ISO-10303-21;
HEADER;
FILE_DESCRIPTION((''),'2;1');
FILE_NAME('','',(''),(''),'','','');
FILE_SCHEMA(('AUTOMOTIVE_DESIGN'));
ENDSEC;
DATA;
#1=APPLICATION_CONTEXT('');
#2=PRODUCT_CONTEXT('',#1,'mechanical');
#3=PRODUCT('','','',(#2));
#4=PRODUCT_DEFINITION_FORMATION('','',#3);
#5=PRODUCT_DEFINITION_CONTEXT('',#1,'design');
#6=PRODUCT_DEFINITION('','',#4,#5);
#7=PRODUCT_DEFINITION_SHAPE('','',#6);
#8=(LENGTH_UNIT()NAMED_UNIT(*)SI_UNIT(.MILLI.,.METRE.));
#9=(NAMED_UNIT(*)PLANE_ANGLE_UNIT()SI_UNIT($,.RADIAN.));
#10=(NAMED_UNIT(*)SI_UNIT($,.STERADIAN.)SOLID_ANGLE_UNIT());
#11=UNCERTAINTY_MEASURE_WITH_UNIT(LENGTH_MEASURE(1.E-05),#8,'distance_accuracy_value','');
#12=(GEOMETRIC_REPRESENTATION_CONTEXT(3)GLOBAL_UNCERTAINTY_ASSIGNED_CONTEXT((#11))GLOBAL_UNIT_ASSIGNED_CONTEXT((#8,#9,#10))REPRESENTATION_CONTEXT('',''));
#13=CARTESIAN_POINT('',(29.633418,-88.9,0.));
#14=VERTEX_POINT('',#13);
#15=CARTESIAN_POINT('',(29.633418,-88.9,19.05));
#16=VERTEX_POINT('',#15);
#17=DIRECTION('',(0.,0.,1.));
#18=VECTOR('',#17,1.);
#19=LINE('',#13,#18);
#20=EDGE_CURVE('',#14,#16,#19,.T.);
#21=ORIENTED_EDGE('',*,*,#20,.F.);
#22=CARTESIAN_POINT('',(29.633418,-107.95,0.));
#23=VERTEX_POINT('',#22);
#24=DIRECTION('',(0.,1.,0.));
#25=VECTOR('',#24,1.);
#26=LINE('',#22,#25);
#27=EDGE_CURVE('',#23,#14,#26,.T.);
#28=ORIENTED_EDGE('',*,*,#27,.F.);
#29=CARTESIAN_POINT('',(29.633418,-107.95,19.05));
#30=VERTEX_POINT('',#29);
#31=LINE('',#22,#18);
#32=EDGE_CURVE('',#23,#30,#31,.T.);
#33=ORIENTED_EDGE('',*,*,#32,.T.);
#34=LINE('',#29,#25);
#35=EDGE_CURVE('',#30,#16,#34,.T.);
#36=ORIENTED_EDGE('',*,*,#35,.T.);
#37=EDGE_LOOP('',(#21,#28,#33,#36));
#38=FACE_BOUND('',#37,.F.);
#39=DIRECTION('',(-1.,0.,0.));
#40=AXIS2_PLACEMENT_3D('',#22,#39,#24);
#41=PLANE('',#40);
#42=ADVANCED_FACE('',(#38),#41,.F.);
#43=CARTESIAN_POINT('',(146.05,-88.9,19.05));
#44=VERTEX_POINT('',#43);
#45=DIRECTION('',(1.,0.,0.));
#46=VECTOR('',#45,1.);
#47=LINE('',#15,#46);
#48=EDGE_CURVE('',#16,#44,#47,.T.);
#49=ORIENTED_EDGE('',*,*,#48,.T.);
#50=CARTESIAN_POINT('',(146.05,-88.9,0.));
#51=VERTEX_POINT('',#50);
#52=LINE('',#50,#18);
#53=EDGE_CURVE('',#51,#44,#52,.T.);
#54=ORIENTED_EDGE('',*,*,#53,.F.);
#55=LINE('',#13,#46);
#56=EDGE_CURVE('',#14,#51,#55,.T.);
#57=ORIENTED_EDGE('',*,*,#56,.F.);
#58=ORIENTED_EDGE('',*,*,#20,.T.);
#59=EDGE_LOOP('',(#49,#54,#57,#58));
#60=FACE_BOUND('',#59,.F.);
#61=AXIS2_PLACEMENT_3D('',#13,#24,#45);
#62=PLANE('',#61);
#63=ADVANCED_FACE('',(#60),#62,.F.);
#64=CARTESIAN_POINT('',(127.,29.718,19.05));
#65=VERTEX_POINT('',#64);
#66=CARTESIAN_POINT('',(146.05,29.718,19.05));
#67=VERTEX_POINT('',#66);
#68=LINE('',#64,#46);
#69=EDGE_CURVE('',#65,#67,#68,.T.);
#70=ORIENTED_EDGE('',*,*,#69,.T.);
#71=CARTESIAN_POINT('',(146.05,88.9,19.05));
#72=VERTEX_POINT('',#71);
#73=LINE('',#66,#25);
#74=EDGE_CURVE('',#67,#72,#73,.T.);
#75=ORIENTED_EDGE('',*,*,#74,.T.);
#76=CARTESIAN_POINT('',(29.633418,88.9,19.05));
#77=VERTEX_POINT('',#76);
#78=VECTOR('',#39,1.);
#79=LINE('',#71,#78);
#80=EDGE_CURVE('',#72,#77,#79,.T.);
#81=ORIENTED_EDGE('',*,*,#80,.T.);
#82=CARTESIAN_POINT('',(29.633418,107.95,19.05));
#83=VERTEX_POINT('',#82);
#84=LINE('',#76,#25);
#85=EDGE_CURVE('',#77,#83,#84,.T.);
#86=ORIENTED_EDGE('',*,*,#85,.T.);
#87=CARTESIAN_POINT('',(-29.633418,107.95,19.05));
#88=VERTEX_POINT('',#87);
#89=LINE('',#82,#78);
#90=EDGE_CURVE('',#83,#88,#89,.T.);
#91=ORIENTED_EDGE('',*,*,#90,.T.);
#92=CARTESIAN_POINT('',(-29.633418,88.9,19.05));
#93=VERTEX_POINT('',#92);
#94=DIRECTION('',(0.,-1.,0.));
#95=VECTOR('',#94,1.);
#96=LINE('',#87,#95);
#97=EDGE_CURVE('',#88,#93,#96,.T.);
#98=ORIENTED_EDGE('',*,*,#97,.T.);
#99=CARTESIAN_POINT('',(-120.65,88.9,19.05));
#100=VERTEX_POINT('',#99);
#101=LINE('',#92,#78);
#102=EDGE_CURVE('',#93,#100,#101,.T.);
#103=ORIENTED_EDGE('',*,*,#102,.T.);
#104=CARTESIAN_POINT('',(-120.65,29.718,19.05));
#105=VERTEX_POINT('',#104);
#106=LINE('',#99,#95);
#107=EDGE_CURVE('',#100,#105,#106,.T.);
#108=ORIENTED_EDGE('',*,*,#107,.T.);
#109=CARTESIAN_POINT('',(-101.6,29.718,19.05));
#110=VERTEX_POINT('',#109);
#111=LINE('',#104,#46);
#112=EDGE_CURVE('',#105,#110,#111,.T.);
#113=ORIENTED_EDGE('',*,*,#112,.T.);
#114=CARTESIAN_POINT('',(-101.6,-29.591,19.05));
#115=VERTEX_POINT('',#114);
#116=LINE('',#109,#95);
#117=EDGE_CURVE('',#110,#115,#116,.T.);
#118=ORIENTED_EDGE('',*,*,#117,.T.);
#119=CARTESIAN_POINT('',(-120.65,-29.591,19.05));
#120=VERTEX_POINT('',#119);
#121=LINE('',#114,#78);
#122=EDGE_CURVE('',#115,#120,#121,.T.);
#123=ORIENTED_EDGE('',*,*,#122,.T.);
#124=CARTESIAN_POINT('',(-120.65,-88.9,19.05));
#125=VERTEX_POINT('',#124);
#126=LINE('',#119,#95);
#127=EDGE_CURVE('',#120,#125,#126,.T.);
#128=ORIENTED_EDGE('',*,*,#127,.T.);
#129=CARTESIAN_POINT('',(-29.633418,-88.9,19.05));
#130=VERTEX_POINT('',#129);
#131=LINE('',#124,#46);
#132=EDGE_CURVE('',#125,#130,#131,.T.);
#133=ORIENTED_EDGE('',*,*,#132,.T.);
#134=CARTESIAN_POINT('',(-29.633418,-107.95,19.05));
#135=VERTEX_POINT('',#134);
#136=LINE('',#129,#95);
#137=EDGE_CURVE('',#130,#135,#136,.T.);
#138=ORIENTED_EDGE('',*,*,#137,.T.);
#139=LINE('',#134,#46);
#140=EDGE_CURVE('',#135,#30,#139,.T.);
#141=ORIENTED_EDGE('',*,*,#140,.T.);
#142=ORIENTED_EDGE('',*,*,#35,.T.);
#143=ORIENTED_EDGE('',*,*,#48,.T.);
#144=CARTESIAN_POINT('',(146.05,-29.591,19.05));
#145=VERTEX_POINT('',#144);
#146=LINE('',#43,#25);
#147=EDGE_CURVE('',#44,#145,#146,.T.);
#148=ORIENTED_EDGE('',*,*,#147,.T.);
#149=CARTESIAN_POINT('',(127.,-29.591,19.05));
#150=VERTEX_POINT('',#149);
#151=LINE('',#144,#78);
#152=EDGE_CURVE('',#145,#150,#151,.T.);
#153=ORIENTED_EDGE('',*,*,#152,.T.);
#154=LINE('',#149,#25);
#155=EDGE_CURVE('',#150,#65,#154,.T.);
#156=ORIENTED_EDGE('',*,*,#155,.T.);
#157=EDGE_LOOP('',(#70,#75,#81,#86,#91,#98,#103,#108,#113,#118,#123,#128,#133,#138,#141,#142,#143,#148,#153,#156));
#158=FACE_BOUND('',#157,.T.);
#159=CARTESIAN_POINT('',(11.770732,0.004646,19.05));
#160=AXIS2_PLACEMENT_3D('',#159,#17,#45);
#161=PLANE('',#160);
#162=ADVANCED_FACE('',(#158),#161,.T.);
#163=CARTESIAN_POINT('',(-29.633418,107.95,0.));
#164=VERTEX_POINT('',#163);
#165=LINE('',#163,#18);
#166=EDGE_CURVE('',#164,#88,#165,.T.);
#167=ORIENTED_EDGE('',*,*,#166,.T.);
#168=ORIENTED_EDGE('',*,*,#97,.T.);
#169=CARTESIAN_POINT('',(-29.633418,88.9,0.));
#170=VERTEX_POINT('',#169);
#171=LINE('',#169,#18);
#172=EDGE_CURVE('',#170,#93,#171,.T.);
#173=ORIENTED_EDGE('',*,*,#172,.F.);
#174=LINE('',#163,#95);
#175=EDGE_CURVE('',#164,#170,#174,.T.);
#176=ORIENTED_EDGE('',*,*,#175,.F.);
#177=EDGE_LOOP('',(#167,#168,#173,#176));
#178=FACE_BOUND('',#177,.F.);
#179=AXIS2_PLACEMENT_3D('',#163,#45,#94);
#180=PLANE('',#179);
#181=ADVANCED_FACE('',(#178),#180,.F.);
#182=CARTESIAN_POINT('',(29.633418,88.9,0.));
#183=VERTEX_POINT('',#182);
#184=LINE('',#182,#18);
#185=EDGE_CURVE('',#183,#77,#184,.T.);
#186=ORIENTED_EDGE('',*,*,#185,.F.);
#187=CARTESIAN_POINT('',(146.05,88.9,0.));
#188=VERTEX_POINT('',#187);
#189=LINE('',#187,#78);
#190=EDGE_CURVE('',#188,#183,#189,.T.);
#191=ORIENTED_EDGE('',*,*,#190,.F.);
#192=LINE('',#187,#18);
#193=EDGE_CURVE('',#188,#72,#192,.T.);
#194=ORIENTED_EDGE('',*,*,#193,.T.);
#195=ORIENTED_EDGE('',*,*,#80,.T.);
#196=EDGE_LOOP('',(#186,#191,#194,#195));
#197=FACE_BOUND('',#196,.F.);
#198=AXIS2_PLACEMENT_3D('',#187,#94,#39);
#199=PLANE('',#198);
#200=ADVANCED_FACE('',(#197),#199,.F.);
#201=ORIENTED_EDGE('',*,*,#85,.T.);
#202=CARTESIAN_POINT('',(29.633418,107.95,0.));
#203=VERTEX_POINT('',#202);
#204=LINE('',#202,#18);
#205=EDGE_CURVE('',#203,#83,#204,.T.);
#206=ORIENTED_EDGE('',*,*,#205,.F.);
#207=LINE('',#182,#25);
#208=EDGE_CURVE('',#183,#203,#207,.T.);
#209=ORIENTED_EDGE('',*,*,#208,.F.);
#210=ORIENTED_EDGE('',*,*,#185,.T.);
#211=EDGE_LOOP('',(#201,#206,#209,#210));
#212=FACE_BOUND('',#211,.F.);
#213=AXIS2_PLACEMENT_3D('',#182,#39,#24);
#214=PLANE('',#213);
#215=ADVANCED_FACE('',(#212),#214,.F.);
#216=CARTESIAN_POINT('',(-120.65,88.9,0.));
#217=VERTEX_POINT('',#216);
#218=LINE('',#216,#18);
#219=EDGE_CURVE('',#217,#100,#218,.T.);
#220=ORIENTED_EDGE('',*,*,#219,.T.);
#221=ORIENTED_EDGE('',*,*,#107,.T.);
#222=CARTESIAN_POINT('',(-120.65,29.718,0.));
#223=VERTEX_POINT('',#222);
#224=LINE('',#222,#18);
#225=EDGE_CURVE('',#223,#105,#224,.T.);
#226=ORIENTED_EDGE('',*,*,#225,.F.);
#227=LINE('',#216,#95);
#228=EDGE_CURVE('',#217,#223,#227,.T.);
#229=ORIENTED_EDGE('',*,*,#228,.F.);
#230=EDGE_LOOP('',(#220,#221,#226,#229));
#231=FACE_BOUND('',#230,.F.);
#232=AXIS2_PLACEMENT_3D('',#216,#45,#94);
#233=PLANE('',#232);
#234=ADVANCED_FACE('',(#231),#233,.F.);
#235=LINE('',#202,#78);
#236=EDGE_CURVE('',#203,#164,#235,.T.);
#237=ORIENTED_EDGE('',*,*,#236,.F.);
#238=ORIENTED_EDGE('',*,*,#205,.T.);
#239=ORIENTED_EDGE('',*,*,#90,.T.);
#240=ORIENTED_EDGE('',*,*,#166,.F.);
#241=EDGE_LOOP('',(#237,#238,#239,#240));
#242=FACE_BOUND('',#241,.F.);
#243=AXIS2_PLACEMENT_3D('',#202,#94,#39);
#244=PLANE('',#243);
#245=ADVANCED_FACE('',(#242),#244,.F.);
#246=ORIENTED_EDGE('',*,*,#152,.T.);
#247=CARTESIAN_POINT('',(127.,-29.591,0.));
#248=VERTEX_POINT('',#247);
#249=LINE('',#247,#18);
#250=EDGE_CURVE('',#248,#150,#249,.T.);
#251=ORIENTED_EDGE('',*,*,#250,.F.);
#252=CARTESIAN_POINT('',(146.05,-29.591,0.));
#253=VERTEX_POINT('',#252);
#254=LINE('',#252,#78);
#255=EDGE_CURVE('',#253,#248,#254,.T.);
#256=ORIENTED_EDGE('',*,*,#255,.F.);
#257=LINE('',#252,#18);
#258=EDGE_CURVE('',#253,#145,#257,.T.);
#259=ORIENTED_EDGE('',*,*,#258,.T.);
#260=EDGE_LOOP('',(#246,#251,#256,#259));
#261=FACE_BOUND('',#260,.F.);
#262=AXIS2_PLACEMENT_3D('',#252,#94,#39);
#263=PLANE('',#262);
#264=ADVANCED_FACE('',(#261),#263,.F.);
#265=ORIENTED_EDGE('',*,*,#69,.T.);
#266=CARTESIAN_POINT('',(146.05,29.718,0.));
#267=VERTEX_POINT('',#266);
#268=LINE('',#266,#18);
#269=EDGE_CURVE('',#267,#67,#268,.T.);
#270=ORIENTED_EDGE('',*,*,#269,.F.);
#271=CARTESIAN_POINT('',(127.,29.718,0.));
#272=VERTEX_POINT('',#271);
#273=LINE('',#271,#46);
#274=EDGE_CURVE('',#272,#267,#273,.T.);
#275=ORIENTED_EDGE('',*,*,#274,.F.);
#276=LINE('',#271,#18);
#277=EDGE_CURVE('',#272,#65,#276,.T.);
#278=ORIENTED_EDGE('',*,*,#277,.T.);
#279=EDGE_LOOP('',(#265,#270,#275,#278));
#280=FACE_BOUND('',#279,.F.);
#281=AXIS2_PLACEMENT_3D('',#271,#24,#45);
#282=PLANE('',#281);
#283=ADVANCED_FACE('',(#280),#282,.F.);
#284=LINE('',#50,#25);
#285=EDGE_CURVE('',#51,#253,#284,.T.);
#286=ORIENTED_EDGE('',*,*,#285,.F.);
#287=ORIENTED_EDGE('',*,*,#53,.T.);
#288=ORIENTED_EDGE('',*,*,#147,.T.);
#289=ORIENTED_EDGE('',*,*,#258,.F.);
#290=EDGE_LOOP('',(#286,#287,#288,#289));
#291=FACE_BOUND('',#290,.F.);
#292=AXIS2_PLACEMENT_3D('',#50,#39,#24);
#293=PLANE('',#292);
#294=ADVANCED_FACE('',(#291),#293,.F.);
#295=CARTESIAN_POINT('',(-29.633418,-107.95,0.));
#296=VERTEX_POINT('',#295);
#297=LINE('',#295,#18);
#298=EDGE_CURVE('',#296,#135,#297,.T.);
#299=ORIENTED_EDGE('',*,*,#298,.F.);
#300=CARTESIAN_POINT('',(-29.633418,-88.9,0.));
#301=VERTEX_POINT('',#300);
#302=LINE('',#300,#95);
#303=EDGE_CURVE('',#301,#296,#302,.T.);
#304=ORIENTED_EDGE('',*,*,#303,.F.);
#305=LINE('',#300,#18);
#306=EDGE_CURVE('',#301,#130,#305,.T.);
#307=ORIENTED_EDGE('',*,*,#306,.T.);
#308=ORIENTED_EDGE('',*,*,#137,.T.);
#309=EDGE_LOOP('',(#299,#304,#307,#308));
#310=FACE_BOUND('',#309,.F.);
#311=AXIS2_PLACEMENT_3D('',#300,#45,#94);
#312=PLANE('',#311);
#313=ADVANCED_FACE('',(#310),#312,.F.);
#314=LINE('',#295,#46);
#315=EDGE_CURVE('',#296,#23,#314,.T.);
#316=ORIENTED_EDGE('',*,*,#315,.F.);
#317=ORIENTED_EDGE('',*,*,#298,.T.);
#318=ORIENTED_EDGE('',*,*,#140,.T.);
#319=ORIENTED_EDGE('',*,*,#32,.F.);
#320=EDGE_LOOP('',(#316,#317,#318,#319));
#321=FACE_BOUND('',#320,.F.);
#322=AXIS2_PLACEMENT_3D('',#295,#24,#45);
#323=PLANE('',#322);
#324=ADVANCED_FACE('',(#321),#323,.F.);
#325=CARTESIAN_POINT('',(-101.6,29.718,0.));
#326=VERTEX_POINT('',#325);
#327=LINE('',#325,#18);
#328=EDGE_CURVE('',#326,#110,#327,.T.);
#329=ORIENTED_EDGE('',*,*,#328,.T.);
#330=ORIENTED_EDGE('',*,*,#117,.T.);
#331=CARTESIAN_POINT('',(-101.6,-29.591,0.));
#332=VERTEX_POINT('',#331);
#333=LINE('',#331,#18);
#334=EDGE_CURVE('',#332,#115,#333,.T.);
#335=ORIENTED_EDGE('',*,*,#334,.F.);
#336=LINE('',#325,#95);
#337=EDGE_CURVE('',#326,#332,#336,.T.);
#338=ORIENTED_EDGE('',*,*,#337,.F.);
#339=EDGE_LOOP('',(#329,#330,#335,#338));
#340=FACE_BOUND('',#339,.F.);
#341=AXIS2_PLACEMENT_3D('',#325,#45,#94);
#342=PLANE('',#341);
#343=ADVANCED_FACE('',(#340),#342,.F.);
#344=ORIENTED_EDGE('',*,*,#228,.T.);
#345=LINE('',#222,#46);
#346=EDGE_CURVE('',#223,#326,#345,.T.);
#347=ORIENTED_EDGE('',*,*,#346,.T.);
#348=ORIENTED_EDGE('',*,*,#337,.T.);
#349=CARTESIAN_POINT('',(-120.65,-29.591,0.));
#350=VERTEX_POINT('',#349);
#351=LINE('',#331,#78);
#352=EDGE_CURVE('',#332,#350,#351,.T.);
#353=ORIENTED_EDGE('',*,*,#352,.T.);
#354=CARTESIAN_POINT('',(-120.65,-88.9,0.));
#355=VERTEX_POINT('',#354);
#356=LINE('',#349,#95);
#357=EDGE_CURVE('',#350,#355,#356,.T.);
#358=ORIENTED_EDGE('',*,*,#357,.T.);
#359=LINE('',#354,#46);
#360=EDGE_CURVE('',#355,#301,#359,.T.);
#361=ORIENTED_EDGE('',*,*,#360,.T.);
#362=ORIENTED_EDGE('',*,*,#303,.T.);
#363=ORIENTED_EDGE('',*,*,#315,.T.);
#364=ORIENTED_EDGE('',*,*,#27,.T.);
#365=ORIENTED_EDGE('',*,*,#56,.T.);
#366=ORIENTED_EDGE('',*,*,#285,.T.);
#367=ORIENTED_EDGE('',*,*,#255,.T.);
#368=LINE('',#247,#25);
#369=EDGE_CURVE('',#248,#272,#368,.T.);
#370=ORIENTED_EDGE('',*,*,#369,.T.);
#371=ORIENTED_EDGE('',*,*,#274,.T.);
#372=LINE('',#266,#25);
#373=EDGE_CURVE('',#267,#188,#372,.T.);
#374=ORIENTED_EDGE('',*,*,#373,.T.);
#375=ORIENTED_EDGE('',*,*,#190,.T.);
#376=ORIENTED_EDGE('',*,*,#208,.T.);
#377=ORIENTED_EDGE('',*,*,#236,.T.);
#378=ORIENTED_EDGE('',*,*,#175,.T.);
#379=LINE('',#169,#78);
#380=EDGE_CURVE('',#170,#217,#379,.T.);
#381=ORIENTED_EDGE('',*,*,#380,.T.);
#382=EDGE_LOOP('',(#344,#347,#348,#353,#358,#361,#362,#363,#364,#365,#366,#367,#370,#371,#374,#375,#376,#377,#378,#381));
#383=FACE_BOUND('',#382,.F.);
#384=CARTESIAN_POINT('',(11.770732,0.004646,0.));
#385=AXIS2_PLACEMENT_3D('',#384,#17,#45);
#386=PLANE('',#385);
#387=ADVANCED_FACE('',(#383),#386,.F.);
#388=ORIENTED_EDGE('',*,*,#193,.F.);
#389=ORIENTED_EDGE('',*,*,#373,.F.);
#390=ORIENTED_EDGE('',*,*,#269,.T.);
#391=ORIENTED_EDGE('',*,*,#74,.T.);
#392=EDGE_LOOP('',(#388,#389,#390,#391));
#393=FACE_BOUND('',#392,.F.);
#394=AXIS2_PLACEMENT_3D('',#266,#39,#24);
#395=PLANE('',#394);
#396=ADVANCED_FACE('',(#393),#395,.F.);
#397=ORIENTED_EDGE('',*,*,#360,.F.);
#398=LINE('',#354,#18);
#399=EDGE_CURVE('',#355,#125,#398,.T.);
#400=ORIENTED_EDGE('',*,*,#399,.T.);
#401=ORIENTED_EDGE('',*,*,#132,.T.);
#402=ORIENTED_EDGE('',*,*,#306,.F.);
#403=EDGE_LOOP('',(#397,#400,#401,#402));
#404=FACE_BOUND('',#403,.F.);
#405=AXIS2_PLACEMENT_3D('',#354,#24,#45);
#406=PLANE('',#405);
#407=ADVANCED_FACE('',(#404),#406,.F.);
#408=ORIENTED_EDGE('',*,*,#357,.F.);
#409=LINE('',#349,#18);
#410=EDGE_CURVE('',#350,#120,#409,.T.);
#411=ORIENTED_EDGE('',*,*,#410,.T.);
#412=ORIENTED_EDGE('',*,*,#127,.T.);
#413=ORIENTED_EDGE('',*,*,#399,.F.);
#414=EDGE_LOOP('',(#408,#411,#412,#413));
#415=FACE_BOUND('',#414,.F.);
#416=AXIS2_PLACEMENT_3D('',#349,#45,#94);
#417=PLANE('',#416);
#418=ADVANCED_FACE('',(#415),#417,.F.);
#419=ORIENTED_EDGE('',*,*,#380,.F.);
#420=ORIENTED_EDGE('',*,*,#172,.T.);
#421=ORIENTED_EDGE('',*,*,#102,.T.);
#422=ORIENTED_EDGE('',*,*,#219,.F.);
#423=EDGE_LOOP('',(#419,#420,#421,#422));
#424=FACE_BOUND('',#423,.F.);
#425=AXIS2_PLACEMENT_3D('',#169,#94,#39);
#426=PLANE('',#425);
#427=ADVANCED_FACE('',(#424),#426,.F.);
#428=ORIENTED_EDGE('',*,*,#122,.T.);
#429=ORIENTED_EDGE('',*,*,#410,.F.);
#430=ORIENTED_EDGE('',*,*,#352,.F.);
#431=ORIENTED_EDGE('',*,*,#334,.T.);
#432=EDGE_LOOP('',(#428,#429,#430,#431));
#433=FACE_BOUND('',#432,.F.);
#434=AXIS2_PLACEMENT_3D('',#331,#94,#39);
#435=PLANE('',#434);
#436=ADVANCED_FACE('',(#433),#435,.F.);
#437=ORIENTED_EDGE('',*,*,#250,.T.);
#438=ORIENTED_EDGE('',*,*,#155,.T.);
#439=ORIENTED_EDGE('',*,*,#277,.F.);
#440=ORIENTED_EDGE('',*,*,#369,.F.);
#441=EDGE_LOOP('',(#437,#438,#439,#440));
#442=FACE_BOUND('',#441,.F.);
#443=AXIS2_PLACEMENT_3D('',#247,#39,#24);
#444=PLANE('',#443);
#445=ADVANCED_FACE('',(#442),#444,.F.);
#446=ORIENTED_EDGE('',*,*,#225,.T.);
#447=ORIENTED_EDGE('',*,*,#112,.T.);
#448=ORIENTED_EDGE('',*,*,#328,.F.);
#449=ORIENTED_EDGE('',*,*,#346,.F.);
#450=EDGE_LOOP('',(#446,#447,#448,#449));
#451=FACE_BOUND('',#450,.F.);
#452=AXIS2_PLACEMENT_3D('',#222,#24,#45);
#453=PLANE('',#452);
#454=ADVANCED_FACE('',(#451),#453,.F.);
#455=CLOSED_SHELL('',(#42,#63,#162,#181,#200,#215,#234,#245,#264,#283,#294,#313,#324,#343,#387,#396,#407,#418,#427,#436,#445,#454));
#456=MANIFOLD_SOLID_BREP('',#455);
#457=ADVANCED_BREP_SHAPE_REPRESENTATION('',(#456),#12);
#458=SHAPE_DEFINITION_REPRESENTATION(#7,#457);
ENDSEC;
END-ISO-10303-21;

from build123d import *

# Parameters (mm, degrees)
F1_DEPTH = 19.05


with BuildPart() as f1:
    # F0 (on Top) → F1 (new body)
    with BuildSketch(Plane.XY):
        Polygon((-120.65, 29.718), (-101.6, 29.718), (-101.6, -29.591), (-120.65, -29.591), (-120.65, -88.9), (-101.6, -88.9), (-29.633418, -88.9), (-29.633418, -107.95), (29.633418, -107.95), (29.633418, -88.9), (101.6, -88.9), (120.65, -88.9), (146.05, -88.9), (146.05, -29.591), (127, -29.591), (127, 29.718), (146.05, 29.718), (146.05, 88.9), (120.65, 88.9), (101.6, 88.9), (29.633418, 88.9), (29.633418, 107.95), (0, 107.95), (-29.633418, 107.95), (-29.633418, 88.9), (-101.6, 88.9), (-120.65, 88.9), align=None)
    extrude(amount=F1_DEPTH)


solid = f1.part
